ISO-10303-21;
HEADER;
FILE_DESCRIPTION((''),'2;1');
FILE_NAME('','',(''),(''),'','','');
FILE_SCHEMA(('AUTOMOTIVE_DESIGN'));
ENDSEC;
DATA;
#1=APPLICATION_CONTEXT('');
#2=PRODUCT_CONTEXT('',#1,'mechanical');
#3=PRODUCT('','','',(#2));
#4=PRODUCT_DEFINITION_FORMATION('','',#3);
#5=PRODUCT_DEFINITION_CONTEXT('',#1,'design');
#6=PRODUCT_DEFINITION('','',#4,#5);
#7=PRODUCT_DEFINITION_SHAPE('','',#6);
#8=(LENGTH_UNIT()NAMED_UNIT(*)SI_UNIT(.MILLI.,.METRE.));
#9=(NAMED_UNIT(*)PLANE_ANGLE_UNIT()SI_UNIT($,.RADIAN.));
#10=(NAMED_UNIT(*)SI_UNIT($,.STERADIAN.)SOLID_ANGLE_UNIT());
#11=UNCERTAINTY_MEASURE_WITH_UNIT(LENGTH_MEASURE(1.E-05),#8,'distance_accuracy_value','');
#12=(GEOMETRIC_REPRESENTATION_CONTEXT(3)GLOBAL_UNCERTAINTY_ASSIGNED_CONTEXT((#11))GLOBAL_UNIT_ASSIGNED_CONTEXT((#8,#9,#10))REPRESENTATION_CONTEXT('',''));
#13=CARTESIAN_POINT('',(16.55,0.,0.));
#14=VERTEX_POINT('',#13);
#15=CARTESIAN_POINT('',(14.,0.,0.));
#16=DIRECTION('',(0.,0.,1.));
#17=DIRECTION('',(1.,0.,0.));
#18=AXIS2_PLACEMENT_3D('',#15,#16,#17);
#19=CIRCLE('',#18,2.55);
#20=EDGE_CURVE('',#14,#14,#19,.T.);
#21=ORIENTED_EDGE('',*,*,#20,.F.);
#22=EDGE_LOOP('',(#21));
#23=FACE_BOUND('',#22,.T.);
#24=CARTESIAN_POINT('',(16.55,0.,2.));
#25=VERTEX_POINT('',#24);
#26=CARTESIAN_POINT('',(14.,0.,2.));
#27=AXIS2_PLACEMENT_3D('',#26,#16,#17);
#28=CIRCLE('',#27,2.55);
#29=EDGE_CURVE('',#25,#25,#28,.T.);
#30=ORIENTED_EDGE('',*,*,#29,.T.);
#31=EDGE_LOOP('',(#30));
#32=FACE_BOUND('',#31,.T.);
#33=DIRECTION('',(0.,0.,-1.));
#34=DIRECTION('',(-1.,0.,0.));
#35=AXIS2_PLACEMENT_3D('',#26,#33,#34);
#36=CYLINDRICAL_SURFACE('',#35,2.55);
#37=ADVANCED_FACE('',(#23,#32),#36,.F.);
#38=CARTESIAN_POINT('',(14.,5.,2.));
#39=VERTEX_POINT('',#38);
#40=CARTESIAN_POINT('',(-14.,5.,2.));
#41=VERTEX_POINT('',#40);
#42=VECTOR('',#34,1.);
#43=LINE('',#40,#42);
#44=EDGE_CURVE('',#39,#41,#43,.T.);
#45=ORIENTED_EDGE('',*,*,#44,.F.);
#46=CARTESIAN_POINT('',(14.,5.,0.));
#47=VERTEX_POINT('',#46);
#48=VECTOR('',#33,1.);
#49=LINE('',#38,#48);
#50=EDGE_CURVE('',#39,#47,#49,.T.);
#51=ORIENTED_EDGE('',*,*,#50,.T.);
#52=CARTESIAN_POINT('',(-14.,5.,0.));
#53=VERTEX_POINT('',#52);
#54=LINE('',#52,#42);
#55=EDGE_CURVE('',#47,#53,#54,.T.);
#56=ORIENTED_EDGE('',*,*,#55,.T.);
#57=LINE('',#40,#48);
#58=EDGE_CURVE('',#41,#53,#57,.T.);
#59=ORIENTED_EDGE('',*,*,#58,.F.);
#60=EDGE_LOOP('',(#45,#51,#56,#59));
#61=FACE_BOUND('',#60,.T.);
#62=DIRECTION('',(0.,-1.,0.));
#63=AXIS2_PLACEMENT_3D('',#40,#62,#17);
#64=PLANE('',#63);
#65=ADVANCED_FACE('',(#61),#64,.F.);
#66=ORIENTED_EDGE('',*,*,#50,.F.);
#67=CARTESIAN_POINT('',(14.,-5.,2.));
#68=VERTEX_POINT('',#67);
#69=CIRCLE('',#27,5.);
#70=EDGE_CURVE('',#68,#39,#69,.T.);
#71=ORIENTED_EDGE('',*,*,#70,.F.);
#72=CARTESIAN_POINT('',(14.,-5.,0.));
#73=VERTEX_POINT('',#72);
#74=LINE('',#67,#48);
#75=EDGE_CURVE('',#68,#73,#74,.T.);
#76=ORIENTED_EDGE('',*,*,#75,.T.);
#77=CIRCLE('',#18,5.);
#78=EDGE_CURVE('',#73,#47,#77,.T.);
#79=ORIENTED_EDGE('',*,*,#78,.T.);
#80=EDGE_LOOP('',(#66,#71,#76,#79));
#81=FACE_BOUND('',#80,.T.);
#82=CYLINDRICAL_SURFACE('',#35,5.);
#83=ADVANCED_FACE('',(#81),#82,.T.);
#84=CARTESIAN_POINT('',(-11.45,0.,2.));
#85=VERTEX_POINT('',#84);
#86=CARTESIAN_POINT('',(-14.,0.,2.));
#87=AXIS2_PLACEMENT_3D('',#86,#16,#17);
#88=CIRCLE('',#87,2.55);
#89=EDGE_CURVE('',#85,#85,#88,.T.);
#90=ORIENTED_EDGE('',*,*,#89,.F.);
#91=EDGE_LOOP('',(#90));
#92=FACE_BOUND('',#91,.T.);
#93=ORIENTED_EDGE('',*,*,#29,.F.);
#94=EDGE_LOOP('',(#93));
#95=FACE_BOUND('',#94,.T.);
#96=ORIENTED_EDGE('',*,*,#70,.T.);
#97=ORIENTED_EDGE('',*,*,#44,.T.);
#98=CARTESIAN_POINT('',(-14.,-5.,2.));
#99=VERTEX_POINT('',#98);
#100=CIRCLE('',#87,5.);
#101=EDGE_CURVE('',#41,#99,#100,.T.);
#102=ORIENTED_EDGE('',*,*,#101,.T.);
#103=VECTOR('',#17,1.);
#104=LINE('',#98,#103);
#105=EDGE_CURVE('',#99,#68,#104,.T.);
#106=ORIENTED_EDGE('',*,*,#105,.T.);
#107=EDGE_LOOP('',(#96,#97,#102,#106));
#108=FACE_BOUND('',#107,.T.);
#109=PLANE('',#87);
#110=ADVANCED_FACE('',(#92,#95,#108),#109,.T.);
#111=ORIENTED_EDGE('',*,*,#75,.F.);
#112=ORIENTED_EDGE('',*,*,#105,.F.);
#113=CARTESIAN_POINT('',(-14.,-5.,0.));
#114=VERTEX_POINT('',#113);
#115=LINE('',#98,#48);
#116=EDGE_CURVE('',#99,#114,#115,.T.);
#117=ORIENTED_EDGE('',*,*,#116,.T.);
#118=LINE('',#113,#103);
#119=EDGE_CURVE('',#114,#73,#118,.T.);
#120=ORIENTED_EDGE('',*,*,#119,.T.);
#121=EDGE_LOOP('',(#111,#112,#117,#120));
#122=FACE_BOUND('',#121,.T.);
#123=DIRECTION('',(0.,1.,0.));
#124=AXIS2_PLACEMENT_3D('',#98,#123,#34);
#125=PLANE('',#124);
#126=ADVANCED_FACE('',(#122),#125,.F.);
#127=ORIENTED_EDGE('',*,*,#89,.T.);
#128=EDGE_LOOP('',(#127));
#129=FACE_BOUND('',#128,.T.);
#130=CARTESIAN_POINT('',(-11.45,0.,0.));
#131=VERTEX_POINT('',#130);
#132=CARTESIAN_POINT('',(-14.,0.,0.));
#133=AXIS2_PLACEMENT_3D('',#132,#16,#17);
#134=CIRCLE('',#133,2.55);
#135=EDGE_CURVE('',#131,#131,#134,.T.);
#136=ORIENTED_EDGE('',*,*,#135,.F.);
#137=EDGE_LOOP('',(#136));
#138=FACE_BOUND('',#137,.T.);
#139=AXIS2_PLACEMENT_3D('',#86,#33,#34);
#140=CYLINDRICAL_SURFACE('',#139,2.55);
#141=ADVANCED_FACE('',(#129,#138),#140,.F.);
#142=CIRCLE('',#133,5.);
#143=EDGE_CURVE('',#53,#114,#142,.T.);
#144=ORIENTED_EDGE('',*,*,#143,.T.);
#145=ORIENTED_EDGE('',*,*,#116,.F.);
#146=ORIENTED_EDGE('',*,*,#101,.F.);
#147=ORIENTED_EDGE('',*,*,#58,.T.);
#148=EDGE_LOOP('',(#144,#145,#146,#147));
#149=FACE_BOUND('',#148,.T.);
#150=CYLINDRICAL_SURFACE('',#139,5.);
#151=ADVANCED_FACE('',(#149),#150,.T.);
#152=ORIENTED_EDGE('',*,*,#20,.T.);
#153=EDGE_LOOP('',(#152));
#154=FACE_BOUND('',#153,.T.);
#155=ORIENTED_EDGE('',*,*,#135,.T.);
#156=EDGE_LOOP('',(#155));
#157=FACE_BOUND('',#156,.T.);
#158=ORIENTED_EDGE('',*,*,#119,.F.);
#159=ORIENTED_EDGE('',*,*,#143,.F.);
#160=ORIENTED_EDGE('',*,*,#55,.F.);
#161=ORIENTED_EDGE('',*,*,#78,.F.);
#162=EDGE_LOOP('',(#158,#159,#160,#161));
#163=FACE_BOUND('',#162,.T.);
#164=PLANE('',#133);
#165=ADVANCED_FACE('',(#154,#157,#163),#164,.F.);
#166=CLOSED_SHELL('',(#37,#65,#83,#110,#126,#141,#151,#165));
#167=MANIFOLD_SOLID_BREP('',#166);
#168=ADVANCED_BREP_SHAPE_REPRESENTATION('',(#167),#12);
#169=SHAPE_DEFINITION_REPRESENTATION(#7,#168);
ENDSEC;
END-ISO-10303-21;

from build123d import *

# Parameters (mm, degrees)
SKETCH_1_R      = 2.55
EXTRUDE_1_DEPTH = 2


with BuildPart() as part:
    # 草图1 → 凸台-拉伸1 (new body)
    with BuildSketch(Plane.XY):
        with BuildLine():
            Line((-14, 5), (14, 5))
            ThreePointArc((14, 5), (19, 0), (14, -5))
            Line((14, -5), (-14, -5))
            ThreePointArc((-14, -5), (-19, 0), (-14, 5))
        make_face()
        with Locations((-14, 0)):
            Circle(SKETCH_1_R, mode=Mode.SUBTRACT)
        with Locations((14, 0)):
            Circle(SKETCH_1_R, mode=Mode.SUBTRACT)
    extrude(amount=EXTRUDE_1_DEPTH)


solid = part.part
